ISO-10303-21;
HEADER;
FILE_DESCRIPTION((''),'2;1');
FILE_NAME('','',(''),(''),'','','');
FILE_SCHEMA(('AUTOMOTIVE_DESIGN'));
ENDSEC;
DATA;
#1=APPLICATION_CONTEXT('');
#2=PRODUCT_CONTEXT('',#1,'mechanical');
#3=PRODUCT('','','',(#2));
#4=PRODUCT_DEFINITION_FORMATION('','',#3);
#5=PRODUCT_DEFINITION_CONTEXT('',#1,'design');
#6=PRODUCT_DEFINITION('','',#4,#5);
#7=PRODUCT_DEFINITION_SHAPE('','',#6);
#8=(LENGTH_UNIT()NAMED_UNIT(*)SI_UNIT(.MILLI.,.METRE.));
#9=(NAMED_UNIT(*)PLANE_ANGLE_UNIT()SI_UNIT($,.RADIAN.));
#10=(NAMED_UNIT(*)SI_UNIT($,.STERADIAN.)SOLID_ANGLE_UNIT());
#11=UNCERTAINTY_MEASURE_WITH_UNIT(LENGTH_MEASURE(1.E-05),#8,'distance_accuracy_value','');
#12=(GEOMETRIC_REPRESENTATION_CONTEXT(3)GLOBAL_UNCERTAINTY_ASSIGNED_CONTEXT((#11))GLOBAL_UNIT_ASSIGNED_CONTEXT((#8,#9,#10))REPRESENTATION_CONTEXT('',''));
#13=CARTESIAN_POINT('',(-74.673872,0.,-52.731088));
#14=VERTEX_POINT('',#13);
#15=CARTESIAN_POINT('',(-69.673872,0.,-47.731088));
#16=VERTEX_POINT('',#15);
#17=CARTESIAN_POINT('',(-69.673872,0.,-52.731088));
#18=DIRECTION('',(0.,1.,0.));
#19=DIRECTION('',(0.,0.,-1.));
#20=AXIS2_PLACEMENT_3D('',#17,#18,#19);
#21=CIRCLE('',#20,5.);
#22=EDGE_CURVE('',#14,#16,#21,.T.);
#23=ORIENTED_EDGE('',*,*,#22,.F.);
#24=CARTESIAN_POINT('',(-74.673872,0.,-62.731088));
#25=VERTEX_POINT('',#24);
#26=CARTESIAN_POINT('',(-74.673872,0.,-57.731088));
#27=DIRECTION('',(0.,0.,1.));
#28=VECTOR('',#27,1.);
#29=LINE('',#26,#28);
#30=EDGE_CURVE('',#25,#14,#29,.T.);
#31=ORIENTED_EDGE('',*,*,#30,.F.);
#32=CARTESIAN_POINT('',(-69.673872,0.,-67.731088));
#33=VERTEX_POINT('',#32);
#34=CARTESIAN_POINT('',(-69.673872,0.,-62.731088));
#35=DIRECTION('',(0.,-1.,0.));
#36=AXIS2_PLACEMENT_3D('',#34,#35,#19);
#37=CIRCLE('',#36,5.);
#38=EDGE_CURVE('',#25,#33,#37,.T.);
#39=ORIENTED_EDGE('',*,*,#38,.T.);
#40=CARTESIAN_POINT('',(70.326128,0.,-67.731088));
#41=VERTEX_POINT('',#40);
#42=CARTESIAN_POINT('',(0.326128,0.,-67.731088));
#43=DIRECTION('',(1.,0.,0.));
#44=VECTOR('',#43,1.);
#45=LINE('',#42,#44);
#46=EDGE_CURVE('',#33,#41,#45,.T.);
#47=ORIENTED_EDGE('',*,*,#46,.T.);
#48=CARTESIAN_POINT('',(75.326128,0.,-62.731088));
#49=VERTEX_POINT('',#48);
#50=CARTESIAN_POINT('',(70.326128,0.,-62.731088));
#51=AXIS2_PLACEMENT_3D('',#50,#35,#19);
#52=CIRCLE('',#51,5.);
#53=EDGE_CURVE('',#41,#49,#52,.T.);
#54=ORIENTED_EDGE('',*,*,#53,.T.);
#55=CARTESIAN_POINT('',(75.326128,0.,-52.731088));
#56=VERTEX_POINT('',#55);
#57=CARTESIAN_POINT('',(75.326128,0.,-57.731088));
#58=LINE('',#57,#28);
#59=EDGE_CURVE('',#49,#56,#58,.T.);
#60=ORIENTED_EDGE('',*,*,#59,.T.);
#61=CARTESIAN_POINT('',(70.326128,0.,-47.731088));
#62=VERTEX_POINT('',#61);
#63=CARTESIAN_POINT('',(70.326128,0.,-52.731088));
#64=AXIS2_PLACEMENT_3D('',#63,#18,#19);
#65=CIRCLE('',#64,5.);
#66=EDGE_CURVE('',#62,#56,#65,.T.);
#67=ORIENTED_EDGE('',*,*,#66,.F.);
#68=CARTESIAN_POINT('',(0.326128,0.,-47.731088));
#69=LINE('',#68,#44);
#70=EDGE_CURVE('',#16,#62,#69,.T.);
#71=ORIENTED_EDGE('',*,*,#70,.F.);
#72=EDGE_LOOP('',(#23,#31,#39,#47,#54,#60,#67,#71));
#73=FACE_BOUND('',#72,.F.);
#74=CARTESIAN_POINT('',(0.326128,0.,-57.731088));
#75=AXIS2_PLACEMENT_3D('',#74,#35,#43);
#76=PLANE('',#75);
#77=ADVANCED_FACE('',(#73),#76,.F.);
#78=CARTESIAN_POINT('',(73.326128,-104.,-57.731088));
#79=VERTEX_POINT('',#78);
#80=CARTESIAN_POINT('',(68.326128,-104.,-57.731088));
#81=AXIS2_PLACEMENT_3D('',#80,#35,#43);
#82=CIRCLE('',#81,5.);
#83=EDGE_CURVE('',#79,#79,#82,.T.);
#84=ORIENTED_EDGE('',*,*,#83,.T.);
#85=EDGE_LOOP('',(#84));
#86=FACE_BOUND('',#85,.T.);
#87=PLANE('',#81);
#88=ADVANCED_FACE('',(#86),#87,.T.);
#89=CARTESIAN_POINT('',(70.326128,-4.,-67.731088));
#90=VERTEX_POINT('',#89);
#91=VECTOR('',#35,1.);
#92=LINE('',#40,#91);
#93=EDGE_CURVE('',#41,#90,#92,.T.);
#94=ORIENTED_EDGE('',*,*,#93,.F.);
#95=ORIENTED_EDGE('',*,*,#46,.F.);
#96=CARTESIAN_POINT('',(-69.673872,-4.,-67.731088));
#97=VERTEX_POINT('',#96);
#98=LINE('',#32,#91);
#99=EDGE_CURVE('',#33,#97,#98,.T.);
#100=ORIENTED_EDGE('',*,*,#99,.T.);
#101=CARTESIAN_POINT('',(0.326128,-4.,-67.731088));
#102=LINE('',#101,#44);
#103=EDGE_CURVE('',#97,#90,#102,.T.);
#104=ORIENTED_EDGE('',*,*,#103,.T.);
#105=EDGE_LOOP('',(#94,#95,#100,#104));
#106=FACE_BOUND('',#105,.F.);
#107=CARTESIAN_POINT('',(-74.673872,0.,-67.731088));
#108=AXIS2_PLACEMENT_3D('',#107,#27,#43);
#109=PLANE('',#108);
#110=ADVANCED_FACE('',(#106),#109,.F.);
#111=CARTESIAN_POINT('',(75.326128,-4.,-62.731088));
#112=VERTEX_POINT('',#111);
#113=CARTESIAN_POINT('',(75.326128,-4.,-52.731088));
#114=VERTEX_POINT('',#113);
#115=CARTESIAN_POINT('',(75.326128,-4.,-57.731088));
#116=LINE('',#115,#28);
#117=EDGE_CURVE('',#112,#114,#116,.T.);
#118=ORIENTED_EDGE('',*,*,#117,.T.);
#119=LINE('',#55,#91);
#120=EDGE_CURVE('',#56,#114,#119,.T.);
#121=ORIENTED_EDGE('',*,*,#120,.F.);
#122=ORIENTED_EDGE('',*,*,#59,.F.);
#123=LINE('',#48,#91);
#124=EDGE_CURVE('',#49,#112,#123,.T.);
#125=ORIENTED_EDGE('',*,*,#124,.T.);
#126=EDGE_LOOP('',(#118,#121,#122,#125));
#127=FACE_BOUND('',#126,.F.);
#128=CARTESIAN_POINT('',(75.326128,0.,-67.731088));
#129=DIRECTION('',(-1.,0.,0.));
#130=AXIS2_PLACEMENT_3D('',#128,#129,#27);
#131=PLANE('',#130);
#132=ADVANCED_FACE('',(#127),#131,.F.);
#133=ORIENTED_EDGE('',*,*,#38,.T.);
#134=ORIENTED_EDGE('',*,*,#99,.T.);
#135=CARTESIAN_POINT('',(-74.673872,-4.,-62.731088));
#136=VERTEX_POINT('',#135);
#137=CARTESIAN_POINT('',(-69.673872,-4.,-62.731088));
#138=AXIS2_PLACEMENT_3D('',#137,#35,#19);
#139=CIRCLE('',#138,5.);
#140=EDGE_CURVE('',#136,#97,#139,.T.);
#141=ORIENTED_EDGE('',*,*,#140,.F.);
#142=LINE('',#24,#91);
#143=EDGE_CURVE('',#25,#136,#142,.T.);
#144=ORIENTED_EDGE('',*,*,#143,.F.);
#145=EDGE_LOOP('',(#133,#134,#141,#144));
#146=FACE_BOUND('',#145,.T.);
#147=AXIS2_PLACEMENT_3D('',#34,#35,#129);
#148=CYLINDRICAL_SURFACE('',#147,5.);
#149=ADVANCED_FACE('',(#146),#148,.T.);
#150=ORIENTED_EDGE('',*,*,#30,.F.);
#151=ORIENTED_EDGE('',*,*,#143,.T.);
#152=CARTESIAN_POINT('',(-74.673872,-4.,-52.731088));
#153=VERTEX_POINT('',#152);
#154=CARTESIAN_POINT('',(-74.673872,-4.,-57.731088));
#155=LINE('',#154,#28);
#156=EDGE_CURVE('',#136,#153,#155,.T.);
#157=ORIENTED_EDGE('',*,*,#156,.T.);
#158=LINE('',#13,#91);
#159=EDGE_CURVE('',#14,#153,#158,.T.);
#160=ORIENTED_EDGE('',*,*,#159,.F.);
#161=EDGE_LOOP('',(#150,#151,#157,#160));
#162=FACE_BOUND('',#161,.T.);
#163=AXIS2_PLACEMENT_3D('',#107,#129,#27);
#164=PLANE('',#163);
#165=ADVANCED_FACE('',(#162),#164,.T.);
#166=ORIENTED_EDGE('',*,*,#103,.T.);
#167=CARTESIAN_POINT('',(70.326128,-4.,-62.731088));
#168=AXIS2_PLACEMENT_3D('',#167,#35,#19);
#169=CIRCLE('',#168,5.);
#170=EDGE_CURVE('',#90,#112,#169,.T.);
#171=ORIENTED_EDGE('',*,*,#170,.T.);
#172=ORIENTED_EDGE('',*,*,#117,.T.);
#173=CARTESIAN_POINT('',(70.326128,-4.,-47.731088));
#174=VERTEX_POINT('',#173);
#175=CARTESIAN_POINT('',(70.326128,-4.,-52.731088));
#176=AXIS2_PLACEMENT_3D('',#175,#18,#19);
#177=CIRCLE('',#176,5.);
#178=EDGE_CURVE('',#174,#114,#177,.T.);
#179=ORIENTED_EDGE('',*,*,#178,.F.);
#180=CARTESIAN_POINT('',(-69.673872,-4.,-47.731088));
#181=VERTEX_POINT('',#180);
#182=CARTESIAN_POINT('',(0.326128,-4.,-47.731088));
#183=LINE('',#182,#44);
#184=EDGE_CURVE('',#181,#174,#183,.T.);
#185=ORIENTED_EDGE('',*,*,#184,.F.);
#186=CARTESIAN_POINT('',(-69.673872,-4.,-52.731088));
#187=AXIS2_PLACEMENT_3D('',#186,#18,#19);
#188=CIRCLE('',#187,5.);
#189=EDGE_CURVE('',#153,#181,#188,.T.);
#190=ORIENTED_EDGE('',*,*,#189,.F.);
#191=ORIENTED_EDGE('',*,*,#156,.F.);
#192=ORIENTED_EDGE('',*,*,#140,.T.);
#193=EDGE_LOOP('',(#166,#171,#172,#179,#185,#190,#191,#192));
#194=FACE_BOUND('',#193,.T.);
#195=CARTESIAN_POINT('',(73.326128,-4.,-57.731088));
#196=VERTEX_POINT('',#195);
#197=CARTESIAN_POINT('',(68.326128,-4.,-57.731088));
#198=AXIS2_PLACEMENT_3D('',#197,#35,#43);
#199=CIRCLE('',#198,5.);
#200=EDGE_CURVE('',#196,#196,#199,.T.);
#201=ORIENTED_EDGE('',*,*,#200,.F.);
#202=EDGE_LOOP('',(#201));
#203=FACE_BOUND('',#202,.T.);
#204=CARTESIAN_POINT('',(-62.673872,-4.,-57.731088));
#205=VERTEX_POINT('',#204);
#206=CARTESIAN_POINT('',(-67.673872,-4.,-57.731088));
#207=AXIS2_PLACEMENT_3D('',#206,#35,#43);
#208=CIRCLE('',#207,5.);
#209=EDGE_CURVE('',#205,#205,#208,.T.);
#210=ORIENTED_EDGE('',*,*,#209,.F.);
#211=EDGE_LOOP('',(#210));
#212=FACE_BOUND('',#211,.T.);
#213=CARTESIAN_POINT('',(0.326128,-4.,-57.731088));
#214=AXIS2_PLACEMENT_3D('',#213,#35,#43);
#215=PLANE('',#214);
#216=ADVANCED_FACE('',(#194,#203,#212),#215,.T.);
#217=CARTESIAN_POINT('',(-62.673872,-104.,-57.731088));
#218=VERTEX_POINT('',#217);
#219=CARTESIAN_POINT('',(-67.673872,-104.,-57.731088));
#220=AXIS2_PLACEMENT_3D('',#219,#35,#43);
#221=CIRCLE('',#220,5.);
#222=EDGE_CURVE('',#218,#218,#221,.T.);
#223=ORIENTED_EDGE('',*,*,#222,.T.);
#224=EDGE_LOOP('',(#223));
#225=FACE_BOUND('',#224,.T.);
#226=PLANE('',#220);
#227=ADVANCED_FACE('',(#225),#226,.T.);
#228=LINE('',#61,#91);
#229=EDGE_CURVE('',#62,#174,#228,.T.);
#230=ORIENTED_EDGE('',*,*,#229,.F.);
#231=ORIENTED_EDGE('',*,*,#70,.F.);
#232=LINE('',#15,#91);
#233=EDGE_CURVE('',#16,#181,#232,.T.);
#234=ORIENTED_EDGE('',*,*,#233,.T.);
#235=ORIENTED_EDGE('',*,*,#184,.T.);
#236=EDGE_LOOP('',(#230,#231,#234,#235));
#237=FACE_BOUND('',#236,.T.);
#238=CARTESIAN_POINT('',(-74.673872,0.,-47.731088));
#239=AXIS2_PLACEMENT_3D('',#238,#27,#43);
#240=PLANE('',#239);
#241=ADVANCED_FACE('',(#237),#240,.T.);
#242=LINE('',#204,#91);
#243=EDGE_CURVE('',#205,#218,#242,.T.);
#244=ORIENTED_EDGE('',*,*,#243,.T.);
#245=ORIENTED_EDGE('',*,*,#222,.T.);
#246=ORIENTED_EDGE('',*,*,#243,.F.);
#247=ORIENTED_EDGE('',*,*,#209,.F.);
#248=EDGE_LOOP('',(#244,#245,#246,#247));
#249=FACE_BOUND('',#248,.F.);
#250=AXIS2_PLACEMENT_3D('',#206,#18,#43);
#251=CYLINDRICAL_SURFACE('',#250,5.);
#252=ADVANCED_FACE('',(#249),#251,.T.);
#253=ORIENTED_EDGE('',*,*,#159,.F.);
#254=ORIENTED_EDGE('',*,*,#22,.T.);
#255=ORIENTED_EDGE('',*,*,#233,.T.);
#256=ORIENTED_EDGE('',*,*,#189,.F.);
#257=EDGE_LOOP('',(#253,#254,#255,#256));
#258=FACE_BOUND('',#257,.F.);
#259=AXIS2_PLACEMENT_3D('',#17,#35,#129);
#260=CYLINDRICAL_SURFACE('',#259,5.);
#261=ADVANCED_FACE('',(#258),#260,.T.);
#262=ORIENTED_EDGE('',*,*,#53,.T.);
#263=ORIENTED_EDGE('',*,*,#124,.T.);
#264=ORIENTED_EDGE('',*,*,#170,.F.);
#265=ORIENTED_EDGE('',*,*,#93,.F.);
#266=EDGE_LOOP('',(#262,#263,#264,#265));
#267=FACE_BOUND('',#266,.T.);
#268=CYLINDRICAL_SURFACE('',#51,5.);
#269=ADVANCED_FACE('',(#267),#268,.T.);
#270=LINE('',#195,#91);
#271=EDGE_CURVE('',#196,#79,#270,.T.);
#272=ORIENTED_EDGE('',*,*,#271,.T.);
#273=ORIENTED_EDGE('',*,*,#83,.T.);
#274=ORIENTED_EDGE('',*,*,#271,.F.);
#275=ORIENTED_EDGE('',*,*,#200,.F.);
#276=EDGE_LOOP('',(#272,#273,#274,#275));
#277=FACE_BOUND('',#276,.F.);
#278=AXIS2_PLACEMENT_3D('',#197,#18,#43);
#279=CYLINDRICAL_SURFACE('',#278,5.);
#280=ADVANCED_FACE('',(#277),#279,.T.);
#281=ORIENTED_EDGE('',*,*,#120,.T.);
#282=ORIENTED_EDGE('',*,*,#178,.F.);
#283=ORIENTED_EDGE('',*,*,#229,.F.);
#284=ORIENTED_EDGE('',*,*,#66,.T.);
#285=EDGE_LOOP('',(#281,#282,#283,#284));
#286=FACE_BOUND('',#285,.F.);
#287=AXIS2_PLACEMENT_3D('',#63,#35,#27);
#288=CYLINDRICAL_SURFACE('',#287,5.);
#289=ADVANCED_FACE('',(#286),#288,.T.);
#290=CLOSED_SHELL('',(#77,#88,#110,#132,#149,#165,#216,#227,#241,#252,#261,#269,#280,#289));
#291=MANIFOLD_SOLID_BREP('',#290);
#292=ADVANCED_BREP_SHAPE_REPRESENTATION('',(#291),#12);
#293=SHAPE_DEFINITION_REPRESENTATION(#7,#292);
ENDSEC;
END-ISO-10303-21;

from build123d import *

# Parameters (mm, degrees)
F0_W     = 150
F0_H     = 20
F1_DEPTH = 4
F2_R     = 5
F3_DEPTH = 100
F4_R     = 5


with BuildPart() as f1:
    # F0 (on Front) → F1 (new body)
    with BuildSketch(Plane.XZ):
        with Locations((0.326128, -57.731088)):
            Rectangle(F0_W, F0_H)
    extrude(amount=F1_DEPTH)

    # F2 (on face) → F3 (join)
    with BuildSketch(Plane.XZ.offset(4)):
        with Locations((68.326128, -57.731088)):
            Circle(F2_R)
        with Locations((-67.673872, -57.731088)):
            Circle(F2_R)
    extrude(amount=F3_DEPTH)

    # F4
    f4_edges = [f1.edges().sort_by_distance(p)[0] for p in [
        (-74.673872, -2, -67.731088),
        (-74.673872, -2, -47.731088),
        (75.326128, -2, -67.731088),
        (75.326128, -2, -47.731088),
    ]]
    fillet(f4_edges, radius=F4_R)


solid = f1.part
